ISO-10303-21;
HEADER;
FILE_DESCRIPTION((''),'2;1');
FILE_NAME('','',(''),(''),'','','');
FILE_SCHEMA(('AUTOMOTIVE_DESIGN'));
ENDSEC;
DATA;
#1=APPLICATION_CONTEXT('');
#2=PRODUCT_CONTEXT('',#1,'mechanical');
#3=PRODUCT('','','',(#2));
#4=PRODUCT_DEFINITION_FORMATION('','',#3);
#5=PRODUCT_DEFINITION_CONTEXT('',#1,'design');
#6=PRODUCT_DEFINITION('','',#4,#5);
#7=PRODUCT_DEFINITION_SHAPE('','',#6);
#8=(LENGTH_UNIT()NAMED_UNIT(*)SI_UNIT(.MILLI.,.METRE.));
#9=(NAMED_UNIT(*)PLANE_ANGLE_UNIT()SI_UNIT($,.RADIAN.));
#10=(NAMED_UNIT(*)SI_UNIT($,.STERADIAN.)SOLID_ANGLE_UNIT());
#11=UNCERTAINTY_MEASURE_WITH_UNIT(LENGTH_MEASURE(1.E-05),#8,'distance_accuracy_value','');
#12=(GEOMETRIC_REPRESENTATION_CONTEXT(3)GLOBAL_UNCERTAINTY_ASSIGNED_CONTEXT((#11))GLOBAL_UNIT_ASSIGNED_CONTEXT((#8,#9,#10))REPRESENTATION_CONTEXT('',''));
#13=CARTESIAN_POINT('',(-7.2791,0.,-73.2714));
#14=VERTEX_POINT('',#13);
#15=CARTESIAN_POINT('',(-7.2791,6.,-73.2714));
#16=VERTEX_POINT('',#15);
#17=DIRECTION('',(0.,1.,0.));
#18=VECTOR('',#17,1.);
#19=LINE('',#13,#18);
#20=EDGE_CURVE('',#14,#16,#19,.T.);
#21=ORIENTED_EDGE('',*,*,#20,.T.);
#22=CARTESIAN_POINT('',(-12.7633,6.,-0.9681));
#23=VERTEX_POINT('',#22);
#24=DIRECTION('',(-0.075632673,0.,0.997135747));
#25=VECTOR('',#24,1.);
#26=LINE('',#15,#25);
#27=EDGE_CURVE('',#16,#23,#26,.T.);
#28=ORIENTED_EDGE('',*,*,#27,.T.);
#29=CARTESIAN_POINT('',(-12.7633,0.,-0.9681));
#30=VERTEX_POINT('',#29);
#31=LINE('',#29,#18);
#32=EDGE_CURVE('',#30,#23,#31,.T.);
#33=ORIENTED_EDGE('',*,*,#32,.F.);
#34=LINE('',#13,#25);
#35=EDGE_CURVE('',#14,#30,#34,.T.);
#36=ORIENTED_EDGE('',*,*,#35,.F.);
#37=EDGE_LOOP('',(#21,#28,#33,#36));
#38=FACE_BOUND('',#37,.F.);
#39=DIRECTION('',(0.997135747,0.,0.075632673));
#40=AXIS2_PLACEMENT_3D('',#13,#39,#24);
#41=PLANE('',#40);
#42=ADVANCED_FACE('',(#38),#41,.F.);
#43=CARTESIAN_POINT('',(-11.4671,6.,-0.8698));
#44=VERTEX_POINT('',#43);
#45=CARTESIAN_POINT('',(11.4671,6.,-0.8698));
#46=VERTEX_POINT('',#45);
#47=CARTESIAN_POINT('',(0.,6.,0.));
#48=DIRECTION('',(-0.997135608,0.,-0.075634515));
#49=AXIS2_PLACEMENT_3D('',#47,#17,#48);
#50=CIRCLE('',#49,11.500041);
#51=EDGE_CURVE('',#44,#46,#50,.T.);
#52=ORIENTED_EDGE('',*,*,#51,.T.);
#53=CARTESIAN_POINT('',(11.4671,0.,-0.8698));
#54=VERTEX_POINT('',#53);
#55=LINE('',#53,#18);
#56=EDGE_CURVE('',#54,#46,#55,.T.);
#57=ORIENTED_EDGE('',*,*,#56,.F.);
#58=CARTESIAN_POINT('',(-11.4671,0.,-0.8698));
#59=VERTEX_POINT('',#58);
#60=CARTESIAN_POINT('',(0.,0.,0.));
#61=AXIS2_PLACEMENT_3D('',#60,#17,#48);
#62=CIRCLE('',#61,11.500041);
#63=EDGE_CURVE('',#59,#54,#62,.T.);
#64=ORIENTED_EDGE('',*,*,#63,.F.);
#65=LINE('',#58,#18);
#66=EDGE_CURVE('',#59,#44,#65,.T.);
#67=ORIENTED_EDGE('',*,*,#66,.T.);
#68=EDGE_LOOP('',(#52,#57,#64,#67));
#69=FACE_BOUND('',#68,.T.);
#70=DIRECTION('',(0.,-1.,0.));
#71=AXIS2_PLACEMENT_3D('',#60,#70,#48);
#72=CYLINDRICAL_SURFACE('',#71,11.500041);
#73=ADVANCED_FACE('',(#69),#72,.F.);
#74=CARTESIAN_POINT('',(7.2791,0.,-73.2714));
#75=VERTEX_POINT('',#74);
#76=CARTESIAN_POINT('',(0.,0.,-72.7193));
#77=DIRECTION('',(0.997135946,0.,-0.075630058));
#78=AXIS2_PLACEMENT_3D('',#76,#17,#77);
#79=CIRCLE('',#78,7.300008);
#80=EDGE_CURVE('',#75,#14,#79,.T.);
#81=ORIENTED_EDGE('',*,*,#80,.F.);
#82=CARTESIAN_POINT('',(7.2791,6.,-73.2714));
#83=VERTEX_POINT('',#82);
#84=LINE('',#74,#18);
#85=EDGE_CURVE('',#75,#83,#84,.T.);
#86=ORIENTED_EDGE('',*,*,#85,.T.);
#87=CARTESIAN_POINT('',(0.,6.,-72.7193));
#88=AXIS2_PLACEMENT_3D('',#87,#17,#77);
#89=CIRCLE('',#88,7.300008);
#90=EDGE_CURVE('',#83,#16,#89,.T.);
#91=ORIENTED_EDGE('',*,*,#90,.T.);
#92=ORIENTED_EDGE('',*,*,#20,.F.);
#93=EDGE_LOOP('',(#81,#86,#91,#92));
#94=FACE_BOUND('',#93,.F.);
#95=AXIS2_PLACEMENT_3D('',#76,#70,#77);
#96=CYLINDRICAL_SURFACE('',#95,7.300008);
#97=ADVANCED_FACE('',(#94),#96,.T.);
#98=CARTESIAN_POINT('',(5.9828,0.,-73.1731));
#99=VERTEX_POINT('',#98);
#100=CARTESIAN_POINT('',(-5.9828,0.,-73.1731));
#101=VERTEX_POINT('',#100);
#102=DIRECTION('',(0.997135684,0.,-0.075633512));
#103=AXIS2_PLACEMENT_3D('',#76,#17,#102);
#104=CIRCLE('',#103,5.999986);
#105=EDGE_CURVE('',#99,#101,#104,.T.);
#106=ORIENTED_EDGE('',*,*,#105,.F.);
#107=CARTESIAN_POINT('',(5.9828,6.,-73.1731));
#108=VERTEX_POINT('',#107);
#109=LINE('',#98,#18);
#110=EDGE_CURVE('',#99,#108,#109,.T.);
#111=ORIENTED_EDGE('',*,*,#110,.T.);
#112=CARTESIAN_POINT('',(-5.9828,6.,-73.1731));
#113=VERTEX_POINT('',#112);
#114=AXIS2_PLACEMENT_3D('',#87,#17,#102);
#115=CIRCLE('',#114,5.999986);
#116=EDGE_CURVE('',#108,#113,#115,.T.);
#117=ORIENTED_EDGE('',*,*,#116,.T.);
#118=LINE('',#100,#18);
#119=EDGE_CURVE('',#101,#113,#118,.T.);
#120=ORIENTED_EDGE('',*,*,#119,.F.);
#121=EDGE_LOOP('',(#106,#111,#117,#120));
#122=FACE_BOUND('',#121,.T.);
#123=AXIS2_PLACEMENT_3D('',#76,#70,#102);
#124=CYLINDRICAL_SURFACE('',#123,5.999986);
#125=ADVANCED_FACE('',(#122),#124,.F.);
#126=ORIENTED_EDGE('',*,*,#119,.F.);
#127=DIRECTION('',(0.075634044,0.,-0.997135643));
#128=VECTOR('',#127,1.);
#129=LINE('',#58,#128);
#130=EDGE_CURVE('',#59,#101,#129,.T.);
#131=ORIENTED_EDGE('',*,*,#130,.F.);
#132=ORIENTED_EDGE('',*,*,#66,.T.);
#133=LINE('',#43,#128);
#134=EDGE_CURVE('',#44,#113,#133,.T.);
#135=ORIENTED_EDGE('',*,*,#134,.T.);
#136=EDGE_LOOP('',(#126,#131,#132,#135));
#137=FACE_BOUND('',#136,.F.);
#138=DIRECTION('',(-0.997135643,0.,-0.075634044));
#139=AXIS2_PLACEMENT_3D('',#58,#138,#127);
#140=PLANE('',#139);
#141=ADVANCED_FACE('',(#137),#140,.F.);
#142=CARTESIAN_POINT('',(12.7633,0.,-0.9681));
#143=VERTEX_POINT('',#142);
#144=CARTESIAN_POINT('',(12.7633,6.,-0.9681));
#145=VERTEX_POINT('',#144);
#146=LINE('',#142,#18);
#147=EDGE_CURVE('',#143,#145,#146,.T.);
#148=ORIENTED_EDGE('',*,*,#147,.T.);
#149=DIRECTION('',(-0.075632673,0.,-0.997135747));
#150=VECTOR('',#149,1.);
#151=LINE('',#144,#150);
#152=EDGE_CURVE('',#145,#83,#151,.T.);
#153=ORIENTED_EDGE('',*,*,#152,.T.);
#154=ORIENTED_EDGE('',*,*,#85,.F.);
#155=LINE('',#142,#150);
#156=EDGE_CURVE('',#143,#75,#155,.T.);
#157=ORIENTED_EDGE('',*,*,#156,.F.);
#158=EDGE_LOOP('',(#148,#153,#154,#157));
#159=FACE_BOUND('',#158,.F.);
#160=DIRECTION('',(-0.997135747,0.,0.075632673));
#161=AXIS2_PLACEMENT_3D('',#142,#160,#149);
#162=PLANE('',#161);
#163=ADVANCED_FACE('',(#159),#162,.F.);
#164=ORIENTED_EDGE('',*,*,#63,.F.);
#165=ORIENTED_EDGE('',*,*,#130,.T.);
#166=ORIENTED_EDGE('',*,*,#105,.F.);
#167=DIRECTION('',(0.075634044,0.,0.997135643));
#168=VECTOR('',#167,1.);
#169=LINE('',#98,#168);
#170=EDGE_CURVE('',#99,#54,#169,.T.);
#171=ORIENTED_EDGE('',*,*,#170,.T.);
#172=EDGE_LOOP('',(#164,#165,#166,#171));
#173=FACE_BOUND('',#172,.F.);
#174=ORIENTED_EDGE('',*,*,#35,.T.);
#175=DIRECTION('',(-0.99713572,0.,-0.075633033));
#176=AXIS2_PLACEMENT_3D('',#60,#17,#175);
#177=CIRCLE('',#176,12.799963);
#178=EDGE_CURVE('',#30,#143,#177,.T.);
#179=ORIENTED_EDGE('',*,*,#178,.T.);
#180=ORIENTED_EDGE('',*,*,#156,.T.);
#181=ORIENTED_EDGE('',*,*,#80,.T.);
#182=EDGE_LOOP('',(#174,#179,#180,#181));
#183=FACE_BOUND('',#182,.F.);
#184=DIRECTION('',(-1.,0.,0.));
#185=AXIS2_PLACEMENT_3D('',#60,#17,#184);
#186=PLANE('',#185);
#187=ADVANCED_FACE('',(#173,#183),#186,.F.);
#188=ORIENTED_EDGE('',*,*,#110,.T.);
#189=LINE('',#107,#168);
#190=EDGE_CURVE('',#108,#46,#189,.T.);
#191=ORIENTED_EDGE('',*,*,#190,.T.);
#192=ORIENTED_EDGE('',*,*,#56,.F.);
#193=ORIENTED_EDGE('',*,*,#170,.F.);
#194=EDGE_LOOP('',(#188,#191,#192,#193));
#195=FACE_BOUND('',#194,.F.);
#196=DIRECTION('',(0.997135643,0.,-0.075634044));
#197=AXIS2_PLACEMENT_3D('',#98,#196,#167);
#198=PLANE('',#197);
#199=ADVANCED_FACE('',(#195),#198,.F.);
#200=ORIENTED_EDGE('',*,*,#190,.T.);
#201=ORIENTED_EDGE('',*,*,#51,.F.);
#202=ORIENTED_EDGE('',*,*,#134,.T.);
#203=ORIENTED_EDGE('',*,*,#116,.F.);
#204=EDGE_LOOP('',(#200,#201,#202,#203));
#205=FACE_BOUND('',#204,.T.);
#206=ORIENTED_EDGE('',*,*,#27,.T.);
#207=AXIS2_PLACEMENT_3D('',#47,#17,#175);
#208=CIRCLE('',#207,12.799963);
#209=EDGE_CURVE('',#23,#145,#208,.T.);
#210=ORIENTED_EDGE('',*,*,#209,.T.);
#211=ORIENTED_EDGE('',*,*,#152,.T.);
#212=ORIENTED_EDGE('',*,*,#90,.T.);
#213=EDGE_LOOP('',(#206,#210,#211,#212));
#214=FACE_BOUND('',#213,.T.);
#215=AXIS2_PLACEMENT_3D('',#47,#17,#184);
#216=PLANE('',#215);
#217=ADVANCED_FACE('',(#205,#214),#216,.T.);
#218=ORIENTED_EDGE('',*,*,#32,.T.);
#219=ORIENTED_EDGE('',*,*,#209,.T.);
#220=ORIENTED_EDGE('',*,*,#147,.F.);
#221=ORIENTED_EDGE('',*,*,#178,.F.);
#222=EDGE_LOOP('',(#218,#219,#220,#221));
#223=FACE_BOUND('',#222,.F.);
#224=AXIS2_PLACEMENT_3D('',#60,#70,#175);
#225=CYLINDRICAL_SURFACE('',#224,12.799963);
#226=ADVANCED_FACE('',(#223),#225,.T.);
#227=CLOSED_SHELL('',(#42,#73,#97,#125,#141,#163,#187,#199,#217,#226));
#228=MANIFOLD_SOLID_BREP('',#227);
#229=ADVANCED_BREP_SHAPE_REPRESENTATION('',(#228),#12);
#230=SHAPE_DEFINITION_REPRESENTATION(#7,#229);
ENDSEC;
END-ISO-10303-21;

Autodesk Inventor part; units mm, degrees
ref_plane "YZ Plane" through (0, 0, 0) normal (1, 0, 0) x (0, 1, 0)
ref_plane "XZ Plane" through (0, 0, 0) normal (0, 1, 0) x (-1, 0, 0)
ref_plane "XY Plane" through (0, 0, 0) normal (0, 0, 1) x (1, 0, 0)
sketch "Sketch1" plane through (0, 0, 0) normal (0, 1, 0) x (-1, 0, 0)
  arc A0 (11.4671, -0.8698) -> (-11.4671, -0.8698) centre (0, 0) ccw
  arc A1 (-5.9828, -73.1731) -> (5.9828, -73.1731) centre (0, -72.7193) ccw
  line L0 (11.4671, -0.8698) -> (5.9828, -73.1731)
  line L1 (-5.9828, -73.1731) -> (-11.4671, -0.8698)
  line L2 (7.2791, -73.2714) -> (12.7633, -0.9681)
  arc A2 (12.7633, -0.9681) -> (-12.7633, -0.9681) centre (0, 0) ccw
  line L3 (-12.7633, -0.9681) -> (-7.2791, -73.2714)
  arc A3 (-7.2791, -73.2714) -> (7.2791, -73.2714) centre (0, -72.7193) ccw
  dimension "d0" = 23
  dimension "d1" = 12
  dimension "d2" = 72.511
  dimension "d6" = 1.3
extrude "Extrusion1" add sketch "Sketch1" along normal blind 6
properties part number "tandriem32Tnaar16T_lengte200"
